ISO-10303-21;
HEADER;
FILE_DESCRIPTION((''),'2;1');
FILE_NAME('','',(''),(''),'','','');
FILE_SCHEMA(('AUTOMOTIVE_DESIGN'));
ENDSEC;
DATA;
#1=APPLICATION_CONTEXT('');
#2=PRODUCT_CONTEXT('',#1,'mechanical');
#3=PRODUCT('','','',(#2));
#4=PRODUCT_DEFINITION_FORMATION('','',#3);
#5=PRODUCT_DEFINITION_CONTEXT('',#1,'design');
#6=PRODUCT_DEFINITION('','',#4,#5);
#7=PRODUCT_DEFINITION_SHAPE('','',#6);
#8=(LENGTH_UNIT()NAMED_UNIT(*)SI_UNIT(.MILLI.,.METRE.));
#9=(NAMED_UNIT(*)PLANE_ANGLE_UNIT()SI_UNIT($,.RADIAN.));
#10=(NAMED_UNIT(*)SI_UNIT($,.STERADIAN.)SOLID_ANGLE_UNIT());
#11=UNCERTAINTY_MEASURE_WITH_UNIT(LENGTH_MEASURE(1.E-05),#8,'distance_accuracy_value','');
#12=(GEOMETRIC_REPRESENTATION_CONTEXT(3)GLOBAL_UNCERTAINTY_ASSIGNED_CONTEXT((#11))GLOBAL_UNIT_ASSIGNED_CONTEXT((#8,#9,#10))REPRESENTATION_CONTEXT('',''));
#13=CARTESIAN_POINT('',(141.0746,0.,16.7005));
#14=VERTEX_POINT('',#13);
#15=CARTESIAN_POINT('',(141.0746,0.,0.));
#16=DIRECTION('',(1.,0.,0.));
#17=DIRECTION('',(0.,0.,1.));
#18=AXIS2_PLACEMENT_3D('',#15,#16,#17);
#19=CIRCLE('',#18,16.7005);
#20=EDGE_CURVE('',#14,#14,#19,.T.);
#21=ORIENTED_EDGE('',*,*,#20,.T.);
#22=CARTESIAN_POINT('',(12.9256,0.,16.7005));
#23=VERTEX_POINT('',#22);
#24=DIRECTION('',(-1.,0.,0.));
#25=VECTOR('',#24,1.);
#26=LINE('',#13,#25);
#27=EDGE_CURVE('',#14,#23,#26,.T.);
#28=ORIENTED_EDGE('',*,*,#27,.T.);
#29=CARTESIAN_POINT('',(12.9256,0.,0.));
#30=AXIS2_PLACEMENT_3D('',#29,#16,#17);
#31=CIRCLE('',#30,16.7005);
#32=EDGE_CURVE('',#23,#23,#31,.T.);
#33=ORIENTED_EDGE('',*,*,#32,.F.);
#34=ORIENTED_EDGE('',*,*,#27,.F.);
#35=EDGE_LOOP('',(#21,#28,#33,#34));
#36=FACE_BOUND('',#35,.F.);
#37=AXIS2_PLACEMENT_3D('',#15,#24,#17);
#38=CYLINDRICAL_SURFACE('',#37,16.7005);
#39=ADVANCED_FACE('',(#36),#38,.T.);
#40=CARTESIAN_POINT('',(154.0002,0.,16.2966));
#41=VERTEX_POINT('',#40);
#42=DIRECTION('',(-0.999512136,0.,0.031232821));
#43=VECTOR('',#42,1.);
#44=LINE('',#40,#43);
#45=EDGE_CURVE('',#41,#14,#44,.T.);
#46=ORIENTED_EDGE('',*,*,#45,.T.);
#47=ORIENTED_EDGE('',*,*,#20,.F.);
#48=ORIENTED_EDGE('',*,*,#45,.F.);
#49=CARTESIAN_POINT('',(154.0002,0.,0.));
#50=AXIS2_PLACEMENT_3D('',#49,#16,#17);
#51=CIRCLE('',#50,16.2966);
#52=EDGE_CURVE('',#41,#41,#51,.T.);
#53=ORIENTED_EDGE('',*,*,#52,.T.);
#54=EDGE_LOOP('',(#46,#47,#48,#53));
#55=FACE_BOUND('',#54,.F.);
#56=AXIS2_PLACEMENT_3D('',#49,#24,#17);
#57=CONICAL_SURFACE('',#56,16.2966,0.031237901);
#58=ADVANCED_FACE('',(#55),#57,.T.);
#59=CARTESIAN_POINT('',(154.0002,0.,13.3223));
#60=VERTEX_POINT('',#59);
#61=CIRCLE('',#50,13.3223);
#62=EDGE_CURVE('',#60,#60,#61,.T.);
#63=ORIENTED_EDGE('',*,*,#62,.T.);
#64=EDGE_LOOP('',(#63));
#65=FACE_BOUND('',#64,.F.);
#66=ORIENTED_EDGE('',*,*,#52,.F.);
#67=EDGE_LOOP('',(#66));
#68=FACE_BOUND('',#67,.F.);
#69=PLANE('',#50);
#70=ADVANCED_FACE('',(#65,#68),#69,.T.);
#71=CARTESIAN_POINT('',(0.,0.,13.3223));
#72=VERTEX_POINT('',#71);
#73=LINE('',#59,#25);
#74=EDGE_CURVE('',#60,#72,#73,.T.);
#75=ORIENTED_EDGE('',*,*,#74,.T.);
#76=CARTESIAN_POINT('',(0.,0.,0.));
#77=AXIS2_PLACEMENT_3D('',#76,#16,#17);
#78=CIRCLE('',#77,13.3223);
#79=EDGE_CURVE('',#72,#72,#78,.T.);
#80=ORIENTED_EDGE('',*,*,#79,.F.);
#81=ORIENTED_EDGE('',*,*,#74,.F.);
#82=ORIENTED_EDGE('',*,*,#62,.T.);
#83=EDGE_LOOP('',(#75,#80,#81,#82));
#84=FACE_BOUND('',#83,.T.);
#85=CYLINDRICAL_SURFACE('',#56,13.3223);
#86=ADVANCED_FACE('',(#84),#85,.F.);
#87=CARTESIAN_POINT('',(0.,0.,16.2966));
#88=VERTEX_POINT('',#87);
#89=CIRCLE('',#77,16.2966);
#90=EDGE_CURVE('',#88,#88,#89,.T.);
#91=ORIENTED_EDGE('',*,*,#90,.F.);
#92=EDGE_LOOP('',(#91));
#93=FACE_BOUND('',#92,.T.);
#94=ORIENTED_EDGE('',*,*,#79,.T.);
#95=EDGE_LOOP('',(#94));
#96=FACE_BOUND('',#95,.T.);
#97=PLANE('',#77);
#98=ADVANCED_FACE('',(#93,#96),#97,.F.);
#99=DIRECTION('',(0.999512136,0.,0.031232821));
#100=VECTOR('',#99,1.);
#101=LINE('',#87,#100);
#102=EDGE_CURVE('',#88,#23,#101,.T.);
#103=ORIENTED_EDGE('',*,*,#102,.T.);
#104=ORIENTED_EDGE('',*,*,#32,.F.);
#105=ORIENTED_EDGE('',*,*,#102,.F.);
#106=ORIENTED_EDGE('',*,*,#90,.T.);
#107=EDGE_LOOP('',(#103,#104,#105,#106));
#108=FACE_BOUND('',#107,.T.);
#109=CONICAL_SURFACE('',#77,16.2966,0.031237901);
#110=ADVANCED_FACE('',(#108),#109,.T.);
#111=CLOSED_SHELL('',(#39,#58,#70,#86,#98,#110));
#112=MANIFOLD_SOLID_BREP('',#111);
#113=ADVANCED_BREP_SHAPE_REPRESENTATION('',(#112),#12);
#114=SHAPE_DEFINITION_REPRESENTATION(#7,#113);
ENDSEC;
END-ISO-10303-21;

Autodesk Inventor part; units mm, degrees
ref_plane "YZ Plane" through (0, 0, 0) normal (1, 0, 0) x (0, 1, 0)
ref_plane "XZ Plane" through (0, 0, 0) normal (0, 1, 0) x (-1, 0, 0)
ref_plane "XY Plane" through (0, 0, 0) normal (0, 0, 1) x (1, 0, 0)
sketch "Sketch1" plane through (0, 0, 0) normal (0, 1, 0) x (-1, 0, 0)
  line L0 (0, 0) -> (-154.0002, 0)
  line L1 (-154.0002, 0) -> (-154.0002, 13.3223) construction
  line L2 (-154.0002, 13.3223) -> (-154.0002, 16.2966)
  line L3 (-154.0002, 16.2966) -> (-141.0746, 16.7005)
  line L4 (-141.0746, 16.7005) -> (-12.9256, 16.7005)
  line L5 (-77.0001, 0) -> (-77.0001, 16.7005) construction
  line L6 (-154.0002, 13.3223) -> (0, 13.3223)
  line L7 (-136.6571, 16.8385) -> (-136.6571, 0) construction
  line L8 (-141.0746, 16.7005) -> (-136.6571, 16.8385) construction
  line L9 (0, 0) -> (0, 13.3223) construction
  line L10 (0, 13.3223) -> (0, 16.2966)
  line L11 (0, 16.2966) -> (-12.9256, 16.7005)
  line L12 (-17.3431, 16.8385) -> (-17.3431, 0) construction
  line L13 (-12.9256, 16.7005) -> (-17.3431, 16.8385) construction
  line L14 (0, -3.3677) -> (0, 20.2063) construction
  line L15 (-184.8002, 0) -> (30.8, 0) construction
  line L16 (-12.9256, 16.7005) -> (-12.9256, 0) construction
  line L17 (-141.0746, 16.7005) -> (-141.0746, 0) construction
  dimension "d0" = 33.401
  dimension "d1" = 1.79
  dimension "d2" = 26.6446
  dimension "d3" = 154.0002
  dimension "d4" = 17.3431
  dimension "d5" = 33.6771
revolve "Revolution1" add sketch "Sketch1" angle 360 about axis through (0, 0, 0) along (1, 0, 0)
thread "Thread1" size "1" designation "1 - 11.5 NPT" standard "NPT" full length
thread "Thread2" size "1" designation "1 - 11.5 NPT" standard "NPT" full length
equation "\"d0\" = OD"
equation "\"d2\" = ID"
equation "\"d3\" = L"
equation "\"d4\" = L2"
equation "\"d5\" = D2"
equation "\"OD\" = 33.401"
equation "\"t\" = 3.3782"
equation "\"L\" = PL"
equation "\"L4\" = 25.0063"
equation "\"ID\" = 26.6446"
equation "\"PL\" = 154.0002"
equation "\"D2\" = 33.6771"
equation "\"L2\" = 17.34312"
equation "\"Size_Designation\" = 1.2345"
equation "\"PLmin\" = 2 * L2 + 3 * t"
properties part number "ASTM A 312/A 312M Pipe with Threaded Ends 1 - Schedule 40S - 6.063" material "Stainless Steel, Austenitic"
